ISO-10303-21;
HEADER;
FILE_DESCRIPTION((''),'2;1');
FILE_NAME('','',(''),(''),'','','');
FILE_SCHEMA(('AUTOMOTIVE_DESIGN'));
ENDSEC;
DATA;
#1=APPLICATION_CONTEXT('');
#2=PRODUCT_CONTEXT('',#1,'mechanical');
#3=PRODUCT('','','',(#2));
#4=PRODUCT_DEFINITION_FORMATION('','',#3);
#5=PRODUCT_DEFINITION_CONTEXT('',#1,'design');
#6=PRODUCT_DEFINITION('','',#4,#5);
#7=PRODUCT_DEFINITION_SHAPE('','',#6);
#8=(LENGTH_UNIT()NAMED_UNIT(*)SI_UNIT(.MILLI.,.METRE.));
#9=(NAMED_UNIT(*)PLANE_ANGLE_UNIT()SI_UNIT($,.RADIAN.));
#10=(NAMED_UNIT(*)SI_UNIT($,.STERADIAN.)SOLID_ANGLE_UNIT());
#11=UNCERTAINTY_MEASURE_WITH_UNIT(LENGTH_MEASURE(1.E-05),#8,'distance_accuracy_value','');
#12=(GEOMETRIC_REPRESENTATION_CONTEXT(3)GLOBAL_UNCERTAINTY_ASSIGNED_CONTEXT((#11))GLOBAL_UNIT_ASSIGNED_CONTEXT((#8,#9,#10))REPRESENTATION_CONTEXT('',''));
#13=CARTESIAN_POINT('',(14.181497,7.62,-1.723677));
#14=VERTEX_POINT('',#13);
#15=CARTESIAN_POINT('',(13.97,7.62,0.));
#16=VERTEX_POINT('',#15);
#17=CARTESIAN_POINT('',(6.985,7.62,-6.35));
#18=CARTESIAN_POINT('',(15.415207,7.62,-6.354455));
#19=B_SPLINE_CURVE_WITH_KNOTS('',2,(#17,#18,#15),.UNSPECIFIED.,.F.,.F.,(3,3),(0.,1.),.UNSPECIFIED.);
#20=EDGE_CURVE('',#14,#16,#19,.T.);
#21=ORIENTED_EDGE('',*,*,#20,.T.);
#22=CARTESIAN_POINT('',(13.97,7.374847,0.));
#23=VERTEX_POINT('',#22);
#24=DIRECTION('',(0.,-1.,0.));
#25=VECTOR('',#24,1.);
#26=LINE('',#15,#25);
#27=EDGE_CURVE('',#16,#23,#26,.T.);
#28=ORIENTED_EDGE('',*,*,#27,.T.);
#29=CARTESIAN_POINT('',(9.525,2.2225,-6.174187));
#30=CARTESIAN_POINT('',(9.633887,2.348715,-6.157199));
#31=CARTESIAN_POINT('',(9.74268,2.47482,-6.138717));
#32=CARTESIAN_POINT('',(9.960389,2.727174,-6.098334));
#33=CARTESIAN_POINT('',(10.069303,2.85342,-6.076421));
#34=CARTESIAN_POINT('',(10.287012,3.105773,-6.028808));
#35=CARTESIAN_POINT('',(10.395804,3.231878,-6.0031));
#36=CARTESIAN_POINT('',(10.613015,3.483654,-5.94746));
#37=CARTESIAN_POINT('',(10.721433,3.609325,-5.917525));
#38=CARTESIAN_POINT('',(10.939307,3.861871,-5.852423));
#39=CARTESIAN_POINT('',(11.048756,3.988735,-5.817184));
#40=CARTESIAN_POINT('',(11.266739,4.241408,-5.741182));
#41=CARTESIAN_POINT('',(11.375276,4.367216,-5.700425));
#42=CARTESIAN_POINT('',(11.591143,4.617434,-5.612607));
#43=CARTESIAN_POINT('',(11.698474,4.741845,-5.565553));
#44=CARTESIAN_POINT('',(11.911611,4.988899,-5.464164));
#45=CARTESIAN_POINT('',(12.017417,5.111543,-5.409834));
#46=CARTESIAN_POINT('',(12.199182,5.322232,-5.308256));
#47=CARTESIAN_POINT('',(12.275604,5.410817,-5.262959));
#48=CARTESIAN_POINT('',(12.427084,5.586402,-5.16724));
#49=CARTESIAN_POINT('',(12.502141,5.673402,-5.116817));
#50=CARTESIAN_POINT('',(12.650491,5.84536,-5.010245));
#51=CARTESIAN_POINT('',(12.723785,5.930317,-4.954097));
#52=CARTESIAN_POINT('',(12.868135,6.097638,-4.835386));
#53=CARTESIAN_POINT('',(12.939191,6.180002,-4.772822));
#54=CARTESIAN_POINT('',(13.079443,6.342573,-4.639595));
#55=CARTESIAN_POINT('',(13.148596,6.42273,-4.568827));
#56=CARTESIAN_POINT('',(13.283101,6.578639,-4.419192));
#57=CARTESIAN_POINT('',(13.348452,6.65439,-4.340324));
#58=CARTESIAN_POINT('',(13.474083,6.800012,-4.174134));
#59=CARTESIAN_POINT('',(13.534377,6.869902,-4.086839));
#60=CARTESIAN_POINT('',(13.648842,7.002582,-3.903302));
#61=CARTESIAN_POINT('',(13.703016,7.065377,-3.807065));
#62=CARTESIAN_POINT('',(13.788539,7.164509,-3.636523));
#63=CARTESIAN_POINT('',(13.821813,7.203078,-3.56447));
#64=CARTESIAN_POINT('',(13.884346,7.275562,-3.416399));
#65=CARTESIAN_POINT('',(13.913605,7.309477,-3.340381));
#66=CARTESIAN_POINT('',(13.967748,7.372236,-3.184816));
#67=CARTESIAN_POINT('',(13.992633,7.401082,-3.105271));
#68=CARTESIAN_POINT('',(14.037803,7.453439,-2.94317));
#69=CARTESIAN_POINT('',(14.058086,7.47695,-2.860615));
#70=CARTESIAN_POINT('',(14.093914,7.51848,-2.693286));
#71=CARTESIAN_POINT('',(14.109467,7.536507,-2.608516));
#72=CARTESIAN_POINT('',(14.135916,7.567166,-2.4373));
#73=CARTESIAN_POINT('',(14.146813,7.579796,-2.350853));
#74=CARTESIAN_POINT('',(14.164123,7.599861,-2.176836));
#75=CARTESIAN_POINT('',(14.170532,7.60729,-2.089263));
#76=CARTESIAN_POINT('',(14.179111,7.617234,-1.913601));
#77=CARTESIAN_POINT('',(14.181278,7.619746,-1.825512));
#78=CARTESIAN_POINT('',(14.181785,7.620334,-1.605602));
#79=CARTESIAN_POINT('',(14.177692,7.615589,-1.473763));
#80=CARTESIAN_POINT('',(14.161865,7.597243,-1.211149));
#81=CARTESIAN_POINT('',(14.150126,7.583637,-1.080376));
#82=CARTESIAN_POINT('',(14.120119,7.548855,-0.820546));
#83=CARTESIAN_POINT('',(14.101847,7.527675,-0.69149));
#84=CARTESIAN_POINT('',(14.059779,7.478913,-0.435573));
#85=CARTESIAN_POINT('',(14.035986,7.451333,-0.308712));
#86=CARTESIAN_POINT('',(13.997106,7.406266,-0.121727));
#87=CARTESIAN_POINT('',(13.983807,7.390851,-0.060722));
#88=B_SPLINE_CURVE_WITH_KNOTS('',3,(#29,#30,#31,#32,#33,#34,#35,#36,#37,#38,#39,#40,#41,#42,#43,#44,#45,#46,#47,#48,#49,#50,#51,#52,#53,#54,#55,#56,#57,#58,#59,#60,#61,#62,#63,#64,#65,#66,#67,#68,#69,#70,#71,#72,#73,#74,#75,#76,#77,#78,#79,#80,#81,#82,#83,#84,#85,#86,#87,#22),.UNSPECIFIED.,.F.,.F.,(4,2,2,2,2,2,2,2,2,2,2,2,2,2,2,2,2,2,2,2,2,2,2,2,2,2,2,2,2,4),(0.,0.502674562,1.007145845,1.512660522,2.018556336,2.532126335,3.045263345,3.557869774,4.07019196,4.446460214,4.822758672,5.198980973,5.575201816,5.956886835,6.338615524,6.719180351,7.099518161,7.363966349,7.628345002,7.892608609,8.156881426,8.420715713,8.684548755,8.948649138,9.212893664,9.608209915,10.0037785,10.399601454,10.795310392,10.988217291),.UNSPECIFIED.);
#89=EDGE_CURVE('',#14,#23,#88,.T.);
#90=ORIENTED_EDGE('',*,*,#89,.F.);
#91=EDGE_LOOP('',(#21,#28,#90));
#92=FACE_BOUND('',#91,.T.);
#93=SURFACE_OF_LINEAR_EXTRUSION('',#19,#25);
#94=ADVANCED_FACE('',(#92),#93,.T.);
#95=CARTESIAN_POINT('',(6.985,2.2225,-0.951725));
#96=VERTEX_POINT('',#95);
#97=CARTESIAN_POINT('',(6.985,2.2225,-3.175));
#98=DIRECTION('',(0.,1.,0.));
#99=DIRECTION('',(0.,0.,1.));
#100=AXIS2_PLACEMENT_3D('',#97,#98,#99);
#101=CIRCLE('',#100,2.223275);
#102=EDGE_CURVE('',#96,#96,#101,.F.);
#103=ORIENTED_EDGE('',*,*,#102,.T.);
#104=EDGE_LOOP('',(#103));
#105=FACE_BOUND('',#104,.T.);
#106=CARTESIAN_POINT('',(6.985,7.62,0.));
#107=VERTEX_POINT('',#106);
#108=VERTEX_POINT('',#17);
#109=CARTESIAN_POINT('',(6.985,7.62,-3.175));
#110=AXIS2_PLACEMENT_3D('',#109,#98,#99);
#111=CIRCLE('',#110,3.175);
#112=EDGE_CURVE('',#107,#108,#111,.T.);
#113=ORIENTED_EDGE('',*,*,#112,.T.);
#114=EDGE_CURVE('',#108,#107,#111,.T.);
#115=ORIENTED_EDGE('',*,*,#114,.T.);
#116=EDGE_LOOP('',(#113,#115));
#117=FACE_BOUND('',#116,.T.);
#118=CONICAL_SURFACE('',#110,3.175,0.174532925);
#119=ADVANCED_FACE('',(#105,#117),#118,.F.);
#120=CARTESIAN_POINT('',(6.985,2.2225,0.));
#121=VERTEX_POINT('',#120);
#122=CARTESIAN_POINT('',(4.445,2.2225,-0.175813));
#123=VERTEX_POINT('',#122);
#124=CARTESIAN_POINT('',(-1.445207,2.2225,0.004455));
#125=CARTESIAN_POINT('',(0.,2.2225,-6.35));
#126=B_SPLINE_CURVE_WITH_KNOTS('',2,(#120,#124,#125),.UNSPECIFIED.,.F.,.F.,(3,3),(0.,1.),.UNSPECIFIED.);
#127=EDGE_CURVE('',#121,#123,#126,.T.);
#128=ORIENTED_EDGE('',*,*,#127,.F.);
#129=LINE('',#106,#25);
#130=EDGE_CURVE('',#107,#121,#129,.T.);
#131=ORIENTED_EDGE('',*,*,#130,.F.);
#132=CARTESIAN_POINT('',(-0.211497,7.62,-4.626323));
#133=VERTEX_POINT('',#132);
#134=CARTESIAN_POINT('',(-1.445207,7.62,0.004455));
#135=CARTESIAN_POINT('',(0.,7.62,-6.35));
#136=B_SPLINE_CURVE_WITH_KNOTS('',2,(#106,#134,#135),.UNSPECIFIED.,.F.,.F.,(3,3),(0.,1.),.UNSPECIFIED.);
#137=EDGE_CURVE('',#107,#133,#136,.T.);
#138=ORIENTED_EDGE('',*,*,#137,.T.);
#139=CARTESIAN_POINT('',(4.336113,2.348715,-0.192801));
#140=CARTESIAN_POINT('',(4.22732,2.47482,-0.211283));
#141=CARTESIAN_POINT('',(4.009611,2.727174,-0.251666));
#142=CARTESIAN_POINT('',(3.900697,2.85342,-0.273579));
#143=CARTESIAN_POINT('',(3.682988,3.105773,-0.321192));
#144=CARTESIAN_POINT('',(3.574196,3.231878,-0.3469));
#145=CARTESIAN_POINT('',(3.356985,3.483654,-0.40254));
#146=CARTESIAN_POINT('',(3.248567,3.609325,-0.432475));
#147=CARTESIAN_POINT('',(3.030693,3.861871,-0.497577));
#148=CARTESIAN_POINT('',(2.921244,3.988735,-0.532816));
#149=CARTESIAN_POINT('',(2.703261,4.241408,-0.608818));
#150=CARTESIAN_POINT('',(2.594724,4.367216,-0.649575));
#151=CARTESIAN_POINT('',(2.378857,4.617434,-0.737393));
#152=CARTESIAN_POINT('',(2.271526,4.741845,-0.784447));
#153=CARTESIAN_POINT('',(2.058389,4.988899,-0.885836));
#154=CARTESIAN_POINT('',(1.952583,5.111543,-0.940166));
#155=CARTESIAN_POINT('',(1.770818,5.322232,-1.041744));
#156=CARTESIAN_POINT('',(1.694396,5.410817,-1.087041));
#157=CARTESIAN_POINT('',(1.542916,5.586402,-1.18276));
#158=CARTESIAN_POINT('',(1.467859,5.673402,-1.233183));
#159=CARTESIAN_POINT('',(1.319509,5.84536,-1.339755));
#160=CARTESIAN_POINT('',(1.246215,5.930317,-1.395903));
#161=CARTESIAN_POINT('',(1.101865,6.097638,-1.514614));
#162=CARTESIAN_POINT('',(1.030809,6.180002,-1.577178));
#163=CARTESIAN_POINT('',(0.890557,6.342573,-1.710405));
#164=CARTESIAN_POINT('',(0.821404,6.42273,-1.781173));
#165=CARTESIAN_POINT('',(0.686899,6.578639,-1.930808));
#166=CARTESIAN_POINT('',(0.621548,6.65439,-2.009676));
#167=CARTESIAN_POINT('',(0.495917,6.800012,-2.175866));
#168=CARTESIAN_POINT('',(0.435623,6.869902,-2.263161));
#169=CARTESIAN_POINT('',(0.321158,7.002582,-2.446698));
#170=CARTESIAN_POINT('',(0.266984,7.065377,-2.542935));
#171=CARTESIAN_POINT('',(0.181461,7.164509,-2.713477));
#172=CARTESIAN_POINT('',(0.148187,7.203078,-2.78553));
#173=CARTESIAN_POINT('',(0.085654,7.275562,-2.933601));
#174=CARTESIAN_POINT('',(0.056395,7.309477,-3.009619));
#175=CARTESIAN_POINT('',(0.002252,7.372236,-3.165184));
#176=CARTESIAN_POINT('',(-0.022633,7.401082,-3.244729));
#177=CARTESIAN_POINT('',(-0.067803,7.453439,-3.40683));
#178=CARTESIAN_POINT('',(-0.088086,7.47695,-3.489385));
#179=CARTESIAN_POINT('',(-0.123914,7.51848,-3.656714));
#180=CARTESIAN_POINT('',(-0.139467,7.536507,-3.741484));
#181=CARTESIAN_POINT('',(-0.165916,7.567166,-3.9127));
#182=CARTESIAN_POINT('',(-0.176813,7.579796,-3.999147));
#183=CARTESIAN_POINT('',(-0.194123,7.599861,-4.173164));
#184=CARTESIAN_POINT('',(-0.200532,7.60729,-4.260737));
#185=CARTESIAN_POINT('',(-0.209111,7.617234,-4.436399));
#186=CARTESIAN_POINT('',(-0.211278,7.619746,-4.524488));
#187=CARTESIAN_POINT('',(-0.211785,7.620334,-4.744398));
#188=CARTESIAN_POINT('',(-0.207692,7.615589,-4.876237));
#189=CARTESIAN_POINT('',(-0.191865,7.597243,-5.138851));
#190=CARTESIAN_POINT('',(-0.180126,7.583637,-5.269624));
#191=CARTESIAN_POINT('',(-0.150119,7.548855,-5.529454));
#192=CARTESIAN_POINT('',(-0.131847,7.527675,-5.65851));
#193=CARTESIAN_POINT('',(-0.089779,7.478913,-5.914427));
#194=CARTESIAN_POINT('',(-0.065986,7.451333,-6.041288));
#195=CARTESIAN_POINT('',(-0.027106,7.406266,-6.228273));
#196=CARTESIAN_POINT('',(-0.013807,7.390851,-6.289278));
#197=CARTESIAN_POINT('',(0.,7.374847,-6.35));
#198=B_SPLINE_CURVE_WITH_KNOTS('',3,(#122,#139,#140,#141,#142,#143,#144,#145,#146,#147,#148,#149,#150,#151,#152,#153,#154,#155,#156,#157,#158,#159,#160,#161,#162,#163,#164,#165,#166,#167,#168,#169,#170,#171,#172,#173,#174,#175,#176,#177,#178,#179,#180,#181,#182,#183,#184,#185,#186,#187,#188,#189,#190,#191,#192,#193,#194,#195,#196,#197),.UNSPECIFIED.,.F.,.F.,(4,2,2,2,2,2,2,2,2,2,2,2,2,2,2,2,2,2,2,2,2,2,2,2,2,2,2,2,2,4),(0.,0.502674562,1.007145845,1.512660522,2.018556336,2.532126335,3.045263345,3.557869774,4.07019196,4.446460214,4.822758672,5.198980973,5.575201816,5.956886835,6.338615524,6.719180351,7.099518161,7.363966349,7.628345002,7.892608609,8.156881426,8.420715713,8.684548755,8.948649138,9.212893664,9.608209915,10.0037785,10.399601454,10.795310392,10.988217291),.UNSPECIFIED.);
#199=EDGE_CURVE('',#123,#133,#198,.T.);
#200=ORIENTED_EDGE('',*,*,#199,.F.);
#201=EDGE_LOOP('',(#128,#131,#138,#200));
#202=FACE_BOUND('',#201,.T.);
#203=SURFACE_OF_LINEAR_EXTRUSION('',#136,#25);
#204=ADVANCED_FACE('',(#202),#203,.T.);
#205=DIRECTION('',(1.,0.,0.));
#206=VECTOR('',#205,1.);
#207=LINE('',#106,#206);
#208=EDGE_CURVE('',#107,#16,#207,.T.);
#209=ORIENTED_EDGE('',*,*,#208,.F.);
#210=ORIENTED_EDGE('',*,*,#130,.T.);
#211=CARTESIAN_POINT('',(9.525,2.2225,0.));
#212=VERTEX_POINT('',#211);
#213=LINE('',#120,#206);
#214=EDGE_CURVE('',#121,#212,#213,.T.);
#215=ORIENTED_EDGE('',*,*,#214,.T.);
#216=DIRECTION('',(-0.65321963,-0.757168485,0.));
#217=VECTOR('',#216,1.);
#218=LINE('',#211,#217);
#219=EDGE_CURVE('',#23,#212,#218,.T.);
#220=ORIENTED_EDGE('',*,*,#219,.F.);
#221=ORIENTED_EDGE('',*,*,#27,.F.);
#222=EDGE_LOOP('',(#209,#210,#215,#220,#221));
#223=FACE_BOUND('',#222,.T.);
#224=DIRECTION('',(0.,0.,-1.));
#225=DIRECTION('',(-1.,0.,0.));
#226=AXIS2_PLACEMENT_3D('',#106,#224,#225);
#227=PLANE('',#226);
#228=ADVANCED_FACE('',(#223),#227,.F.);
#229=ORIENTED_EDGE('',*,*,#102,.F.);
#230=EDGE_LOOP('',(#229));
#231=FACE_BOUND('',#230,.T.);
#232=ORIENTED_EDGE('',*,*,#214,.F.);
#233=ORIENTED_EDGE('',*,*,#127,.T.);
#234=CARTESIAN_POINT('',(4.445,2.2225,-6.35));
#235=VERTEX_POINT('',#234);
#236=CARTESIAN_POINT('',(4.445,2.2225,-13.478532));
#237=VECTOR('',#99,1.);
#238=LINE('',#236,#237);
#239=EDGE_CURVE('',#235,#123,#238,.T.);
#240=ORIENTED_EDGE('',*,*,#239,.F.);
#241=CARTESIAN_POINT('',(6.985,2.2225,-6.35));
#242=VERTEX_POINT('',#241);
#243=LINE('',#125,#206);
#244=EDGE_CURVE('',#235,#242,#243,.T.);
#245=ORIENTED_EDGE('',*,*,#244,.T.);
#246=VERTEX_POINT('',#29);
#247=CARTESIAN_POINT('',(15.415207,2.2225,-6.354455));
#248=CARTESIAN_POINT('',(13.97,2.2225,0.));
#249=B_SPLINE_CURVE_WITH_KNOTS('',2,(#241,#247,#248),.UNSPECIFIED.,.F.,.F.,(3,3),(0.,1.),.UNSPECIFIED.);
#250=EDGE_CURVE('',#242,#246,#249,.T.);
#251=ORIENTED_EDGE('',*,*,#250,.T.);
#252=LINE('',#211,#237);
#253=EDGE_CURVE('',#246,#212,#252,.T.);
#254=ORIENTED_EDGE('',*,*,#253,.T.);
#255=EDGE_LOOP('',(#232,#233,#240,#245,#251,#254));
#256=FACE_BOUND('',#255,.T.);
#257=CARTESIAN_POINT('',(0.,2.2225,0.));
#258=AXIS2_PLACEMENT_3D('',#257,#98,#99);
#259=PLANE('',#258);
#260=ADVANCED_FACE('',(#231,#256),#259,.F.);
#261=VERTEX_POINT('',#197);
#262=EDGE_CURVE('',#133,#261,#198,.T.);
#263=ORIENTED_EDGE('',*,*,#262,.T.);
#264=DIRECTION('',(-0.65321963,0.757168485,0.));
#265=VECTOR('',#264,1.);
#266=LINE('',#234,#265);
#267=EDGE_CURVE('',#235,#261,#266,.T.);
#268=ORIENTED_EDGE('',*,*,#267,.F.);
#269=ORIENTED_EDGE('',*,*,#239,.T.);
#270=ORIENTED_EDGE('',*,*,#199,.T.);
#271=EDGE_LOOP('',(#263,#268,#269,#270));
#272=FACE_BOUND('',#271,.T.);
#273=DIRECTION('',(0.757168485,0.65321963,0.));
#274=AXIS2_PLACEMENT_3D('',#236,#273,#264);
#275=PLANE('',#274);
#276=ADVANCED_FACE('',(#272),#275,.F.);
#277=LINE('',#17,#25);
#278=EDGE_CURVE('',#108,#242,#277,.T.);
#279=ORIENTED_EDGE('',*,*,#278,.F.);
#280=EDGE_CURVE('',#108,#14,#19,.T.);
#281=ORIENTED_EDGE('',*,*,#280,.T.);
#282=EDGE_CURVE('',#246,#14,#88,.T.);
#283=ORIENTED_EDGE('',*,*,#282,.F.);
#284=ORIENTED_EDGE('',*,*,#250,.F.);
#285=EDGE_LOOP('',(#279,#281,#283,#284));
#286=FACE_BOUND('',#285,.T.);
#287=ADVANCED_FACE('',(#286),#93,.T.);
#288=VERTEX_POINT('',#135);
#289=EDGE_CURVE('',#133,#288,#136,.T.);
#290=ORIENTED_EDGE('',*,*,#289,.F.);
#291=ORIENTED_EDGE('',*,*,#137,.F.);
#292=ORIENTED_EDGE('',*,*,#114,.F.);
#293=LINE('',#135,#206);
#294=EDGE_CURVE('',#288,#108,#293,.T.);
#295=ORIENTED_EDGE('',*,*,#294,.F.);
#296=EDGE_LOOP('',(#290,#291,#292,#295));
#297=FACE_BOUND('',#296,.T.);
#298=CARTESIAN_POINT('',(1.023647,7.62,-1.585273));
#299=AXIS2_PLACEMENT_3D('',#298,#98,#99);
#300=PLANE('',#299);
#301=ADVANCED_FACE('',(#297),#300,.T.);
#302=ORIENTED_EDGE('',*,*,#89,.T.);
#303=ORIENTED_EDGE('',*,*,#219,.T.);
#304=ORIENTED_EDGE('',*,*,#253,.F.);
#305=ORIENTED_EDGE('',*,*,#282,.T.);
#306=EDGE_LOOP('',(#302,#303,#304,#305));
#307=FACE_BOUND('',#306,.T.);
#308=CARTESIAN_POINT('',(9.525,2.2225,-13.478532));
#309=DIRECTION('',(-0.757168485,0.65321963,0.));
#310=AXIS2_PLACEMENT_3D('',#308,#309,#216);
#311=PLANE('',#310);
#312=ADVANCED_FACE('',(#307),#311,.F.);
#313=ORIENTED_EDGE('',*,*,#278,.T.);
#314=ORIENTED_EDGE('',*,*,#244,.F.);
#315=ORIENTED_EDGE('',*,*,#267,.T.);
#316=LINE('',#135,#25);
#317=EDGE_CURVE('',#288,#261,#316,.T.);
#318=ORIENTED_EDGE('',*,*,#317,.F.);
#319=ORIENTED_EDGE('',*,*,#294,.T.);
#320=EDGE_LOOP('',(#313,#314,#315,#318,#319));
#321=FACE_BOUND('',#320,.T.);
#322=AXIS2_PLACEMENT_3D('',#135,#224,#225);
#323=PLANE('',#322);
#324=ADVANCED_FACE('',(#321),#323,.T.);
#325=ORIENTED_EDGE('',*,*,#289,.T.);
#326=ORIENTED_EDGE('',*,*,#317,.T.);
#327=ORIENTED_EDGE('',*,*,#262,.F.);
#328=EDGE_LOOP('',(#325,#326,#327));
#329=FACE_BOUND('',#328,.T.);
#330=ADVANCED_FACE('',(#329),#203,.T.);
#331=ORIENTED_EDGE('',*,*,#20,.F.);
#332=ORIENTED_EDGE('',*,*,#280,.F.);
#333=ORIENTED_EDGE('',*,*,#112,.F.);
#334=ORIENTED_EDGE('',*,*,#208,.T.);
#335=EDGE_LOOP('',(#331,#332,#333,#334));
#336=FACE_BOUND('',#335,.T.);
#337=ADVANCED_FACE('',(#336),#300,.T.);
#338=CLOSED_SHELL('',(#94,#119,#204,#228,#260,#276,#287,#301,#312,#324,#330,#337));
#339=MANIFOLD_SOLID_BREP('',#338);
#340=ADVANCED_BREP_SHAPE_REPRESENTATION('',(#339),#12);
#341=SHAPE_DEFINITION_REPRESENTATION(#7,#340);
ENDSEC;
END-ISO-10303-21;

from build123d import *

# Parameters (mm, degrees)
BOSS_EXTRUDE2_DEPTH = 7.62
SKETCH16_W          = 15.32256728
SKETCH16_H          = 7.308103898
CUT_EXTRUDE1_DEPTH  = 2.2225
CUT_EXTRUDE2_REACH  = 19.306
SKETCH18_R          = 3.175
CUT_EXTRUDE3_DEPTH  = 5.3975
CUT_EXTRUDE3_DRAFT  = -10


with BuildPart() as part:
    # Sketch1 → Boss-Extrude2 (new body)
    with BuildSketch(Plane(origin=(0, 0, 0), x_dir=(1, 0, 0), z_dir=(0, 1, 0))):
        with BuildLine():
            Line((6.985, 0), (13.97, 0))
            add(Edge.make_bspline(
                [(6.985, 6.35), (15.415206783, 6.354454923), (13.97, 0)],
                knots=[0, 0, 0, 1, 1, 1], degree=2))
            Line((6.985, 6.35), (0, 6.35))
            add(Edge.make_bspline(
                [(6.985, 0), (-1.445206783, -0.004454923), (0, 6.35)],
                knots=[0, 0, 0, 1, 1, 1], degree=2))
        make_face()
    extrude(amount=BOSS_EXTRUDE2_DEPTH)

    # Sketch16 → Cut-Extrude1 (cut)
    with BuildSketch(Plane.XZ):
        with Locations((6.964918342, -3.123671001)):
            Rectangle(SKETCH16_W, SKETCH16_H)
    extrude(amount=-CUT_EXTRUDE1_DEPTH, mode=Mode.SUBTRACT)

    # Cut-Extrude2: up to this face of the body (flat: up to its plane)
    cut_extrude2_end = Plane(part.part.faces().sort_by_distance((3.4925, 4.92125, -6.35))[0])
    # Sketch17 → Cut-Extrude2 (cut, up to the picked face)
    with BuildSketch(Plane.XY, mode=Mode.PRIVATE) as cut_extrude2_sk1:
        Polygon((9.525, 2.2225), (14.181497233, 7.62), (14.181497233, 2.2225), align=None)
    cut_extrude2_tool1 = split(extrude(cut_extrude2_sk1.sketch, amount=-CUT_EXTRUDE2_REACH, mode=Mode.PRIVATE), bisect_by=cut_extrude2_end, keep=Keep.BOTH, mode=Mode.PRIVATE)
    # Sketch17 → Cut-Extrude2 (cut, up to the picked face)
    with BuildSketch(Plane.XY, mode=Mode.PRIVATE) as cut_extrude2_sk2:
        Polygon((-0.211497233, 2.2225), (4.445, 2.2225), (-0.211497233, 7.62), align=None)
    cut_extrude2_tool2 = split(extrude(cut_extrude2_sk2.sketch, amount=-CUT_EXTRUDE2_REACH, mode=Mode.PRIVATE), bisect_by=cut_extrude2_end, keep=Keep.BOTH, mode=Mode.PRIVATE)
    add(cut_extrude2_tool1.solids().sort_by(Axis((12.629331, 4.021667, 0), (0, 0, -1)))[0], mode=Mode.SUBTRACT)
    add(cut_extrude2_tool2.solids().sort_by(Axis((1.340669, 4.021667, 0), (0, 0, -1)))[0], mode=Mode.SUBTRACT)


with BuildPart() as cut_extrude3_tool:
    # Sketch18 → Cut-Extrude3 (with draft: the straight prism first)
    with BuildSketch(Plane(origin=(0, 7.62, 0), x_dir=(1, 0, 0), z_dir=(0, 1, 0))):
        with Locations((6.985, 3.175)):
            Circle(SKETCH18_R)
    extrude(amount=-CUT_EXTRUDE3_DEPTH)
    # Cut-Extrude3: the draft: its side faces are tilted about the plane it starts from
    cut_extrude3_sides = [cut_extrude3_tool.faces().sort_by_distance(p)[0] for p in [
        (3.81, 4.92125, -3.175),
    ]]
    draft(cut_extrude3_sides, Plane(origin=(0, 7.62, 0), x_dir=(1, 0, 0), z_dir=(0, 1, 0)), CUT_EXTRUDE3_DRAFT)


with BuildPart() as part_1:
    add(part.part)

    # Cut-Extrude3: cut by cut_extrude3_tool
    add(cut_extrude3_tool.part, mode=Mode.SUBTRACT)


solid = part_1.part
